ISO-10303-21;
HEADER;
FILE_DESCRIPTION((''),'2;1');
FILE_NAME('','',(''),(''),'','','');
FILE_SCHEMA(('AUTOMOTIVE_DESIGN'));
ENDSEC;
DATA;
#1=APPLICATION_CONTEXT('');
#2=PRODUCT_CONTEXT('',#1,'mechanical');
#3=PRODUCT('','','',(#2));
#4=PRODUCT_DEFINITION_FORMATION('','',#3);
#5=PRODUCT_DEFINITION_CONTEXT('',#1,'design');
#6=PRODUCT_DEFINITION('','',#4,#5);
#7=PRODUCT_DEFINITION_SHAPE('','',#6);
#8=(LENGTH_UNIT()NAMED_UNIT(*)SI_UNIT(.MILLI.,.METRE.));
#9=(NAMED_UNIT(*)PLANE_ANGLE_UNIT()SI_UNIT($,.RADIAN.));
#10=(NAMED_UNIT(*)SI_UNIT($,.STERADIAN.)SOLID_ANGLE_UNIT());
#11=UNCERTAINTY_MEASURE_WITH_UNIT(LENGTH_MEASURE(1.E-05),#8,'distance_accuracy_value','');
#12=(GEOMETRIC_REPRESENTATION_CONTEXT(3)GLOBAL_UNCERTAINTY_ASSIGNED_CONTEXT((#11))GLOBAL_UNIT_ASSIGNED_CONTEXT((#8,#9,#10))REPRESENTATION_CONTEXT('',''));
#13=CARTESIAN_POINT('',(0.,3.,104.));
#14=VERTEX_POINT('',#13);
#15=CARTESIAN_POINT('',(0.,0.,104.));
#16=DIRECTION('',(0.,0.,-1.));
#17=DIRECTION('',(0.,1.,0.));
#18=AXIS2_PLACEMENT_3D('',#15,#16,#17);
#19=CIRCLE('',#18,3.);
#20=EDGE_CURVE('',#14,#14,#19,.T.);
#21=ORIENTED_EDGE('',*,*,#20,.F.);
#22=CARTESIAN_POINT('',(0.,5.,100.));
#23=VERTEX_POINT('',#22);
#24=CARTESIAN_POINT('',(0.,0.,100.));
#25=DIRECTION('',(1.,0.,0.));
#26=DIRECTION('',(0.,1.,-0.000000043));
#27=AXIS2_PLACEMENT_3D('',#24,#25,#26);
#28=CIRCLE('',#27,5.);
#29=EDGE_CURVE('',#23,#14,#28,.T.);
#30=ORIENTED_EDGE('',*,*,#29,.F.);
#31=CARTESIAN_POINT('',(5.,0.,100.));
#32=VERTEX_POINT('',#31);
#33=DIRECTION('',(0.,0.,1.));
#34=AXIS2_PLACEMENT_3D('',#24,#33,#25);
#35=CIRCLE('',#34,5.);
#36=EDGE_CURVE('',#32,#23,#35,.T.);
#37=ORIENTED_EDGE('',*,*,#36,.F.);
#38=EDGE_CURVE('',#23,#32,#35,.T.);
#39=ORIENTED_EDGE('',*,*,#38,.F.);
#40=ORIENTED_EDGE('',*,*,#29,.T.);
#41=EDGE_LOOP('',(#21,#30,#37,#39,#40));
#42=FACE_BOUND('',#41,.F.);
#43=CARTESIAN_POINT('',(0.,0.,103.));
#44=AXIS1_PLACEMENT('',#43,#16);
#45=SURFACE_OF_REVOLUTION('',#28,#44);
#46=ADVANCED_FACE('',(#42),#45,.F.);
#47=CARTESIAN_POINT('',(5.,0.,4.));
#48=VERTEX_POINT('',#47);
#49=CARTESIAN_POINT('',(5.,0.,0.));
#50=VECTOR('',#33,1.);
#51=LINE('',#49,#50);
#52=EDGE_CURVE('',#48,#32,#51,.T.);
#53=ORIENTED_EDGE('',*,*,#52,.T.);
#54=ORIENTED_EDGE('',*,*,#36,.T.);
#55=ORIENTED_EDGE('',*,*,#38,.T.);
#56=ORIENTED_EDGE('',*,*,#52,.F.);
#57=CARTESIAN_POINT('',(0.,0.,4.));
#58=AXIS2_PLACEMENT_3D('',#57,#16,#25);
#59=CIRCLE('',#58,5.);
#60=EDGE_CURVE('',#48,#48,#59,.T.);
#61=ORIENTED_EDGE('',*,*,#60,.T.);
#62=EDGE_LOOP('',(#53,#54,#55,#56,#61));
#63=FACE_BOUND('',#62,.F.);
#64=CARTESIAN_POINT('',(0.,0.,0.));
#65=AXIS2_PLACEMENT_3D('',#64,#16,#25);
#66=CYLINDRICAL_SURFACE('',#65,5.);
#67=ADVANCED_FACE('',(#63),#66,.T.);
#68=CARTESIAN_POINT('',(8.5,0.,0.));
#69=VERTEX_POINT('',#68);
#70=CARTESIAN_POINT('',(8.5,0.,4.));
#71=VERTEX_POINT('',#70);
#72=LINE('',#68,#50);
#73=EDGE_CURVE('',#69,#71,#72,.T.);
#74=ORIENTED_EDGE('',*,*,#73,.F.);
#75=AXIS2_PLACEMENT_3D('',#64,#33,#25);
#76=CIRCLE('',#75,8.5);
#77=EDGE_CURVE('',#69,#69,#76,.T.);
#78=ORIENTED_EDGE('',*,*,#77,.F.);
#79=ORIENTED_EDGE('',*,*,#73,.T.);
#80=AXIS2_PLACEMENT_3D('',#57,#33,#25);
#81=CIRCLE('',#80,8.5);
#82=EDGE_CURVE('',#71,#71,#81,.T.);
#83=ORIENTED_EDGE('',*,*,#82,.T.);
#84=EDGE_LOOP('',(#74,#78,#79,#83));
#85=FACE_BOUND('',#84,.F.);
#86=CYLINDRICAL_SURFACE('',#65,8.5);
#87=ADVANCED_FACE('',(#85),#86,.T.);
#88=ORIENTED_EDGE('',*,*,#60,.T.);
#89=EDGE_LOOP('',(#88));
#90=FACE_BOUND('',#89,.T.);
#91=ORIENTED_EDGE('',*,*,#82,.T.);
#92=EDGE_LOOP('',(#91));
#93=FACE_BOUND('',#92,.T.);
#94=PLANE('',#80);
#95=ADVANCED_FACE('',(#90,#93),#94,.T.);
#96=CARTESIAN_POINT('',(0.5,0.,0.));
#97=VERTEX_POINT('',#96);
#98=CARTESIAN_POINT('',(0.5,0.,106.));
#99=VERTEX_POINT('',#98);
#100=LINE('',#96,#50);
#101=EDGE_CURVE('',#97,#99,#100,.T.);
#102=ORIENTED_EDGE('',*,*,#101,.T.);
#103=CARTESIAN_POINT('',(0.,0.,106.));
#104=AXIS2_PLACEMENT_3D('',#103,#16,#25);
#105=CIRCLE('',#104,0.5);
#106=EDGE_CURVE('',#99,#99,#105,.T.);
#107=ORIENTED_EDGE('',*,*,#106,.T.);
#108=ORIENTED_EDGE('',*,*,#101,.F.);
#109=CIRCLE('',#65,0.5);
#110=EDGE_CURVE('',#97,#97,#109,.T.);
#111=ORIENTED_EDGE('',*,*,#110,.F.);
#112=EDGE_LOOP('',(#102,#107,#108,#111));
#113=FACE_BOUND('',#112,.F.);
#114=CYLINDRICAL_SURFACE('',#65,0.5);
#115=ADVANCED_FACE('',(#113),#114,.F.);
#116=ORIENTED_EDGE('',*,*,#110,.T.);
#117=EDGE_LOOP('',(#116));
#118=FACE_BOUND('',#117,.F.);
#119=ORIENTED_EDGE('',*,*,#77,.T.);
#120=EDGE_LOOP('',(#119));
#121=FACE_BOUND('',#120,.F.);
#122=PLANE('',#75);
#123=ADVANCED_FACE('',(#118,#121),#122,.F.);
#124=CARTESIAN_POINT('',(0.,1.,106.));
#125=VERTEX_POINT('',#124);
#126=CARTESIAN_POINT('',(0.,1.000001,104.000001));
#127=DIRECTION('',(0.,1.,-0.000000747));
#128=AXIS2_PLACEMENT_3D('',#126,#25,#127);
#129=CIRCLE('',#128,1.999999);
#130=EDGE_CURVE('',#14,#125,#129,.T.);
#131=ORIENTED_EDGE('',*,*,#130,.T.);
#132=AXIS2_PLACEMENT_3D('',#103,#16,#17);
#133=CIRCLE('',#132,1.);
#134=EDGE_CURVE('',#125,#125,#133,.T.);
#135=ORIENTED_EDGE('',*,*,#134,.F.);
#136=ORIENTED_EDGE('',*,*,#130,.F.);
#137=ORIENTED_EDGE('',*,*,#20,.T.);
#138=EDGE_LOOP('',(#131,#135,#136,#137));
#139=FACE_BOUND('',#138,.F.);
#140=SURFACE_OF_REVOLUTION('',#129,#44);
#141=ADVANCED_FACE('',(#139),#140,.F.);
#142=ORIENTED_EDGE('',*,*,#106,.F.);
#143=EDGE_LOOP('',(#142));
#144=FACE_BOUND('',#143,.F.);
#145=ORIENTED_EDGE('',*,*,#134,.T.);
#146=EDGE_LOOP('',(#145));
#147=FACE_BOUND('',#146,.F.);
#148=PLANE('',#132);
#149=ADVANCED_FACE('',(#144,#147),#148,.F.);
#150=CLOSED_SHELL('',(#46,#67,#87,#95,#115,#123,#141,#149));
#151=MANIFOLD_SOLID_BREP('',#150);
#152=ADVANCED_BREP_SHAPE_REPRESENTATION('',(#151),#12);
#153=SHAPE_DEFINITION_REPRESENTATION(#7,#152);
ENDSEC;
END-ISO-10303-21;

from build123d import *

# Parameters (mm, degrees)
F0_R     = 8.5
F1_DEPTH = 4
F2_R     = 5
F3_DEPTH = 100
F6_R     = 0.5
F7_DEPTH = 169.1


with BuildPart() as f1:
    # F0 (on Top) → F1 (new body)
    with BuildSketch(Plane.XY):
        Circle(F0_R)
    extrude(amount=F1_DEPTH)

    # F2 (on Top) → F3 (join)
    with BuildSketch(Plane.XY):
        Circle(F2_R)
    extrude(amount=F3_DEPTH)

    # F4 (on Right) → F5 (revolve)
    with BuildSketch(Plane.YZ):
        with BuildLine():
            Line((0, 104), (0, 100))
            Line((0, 100), (5, 100))
            ThreePointArc((5, 100), (4.472136, 102.236068), (3, 104))
            Line((3, 104), (0, 104))
        make_face()
        with BuildLine():
            ThreePointArc((0, 105), (1.581139, 104.743416), (3, 104))
            ThreePointArc((3, 104), (2.414214, 105.414214), (1, 106))
            Line((1, 106), (0, 106))
            Line((0, 106), (0, 105))
        make_face()
        with BuildLine():
            Line((0, 105), (0, 104))
            Line((0, 104), (3, 104))
            ThreePointArc((3, 104), (1.581139, 104.743416), (0, 105))
        make_face()
    revolve(axis=Axis((0, 0, 103), (0, 0, -1)))

    # F6 (on face) → F7 (cut)
    with BuildSketch(Plane(origin=(0, 0, 0), x_dir=(1, 0, 0), z_dir=(0, 0, -1))):
        Circle(F6_R)
    extrude(amount=-F7_DEPTH, mode=Mode.SUBTRACT)


solid = f1.part
